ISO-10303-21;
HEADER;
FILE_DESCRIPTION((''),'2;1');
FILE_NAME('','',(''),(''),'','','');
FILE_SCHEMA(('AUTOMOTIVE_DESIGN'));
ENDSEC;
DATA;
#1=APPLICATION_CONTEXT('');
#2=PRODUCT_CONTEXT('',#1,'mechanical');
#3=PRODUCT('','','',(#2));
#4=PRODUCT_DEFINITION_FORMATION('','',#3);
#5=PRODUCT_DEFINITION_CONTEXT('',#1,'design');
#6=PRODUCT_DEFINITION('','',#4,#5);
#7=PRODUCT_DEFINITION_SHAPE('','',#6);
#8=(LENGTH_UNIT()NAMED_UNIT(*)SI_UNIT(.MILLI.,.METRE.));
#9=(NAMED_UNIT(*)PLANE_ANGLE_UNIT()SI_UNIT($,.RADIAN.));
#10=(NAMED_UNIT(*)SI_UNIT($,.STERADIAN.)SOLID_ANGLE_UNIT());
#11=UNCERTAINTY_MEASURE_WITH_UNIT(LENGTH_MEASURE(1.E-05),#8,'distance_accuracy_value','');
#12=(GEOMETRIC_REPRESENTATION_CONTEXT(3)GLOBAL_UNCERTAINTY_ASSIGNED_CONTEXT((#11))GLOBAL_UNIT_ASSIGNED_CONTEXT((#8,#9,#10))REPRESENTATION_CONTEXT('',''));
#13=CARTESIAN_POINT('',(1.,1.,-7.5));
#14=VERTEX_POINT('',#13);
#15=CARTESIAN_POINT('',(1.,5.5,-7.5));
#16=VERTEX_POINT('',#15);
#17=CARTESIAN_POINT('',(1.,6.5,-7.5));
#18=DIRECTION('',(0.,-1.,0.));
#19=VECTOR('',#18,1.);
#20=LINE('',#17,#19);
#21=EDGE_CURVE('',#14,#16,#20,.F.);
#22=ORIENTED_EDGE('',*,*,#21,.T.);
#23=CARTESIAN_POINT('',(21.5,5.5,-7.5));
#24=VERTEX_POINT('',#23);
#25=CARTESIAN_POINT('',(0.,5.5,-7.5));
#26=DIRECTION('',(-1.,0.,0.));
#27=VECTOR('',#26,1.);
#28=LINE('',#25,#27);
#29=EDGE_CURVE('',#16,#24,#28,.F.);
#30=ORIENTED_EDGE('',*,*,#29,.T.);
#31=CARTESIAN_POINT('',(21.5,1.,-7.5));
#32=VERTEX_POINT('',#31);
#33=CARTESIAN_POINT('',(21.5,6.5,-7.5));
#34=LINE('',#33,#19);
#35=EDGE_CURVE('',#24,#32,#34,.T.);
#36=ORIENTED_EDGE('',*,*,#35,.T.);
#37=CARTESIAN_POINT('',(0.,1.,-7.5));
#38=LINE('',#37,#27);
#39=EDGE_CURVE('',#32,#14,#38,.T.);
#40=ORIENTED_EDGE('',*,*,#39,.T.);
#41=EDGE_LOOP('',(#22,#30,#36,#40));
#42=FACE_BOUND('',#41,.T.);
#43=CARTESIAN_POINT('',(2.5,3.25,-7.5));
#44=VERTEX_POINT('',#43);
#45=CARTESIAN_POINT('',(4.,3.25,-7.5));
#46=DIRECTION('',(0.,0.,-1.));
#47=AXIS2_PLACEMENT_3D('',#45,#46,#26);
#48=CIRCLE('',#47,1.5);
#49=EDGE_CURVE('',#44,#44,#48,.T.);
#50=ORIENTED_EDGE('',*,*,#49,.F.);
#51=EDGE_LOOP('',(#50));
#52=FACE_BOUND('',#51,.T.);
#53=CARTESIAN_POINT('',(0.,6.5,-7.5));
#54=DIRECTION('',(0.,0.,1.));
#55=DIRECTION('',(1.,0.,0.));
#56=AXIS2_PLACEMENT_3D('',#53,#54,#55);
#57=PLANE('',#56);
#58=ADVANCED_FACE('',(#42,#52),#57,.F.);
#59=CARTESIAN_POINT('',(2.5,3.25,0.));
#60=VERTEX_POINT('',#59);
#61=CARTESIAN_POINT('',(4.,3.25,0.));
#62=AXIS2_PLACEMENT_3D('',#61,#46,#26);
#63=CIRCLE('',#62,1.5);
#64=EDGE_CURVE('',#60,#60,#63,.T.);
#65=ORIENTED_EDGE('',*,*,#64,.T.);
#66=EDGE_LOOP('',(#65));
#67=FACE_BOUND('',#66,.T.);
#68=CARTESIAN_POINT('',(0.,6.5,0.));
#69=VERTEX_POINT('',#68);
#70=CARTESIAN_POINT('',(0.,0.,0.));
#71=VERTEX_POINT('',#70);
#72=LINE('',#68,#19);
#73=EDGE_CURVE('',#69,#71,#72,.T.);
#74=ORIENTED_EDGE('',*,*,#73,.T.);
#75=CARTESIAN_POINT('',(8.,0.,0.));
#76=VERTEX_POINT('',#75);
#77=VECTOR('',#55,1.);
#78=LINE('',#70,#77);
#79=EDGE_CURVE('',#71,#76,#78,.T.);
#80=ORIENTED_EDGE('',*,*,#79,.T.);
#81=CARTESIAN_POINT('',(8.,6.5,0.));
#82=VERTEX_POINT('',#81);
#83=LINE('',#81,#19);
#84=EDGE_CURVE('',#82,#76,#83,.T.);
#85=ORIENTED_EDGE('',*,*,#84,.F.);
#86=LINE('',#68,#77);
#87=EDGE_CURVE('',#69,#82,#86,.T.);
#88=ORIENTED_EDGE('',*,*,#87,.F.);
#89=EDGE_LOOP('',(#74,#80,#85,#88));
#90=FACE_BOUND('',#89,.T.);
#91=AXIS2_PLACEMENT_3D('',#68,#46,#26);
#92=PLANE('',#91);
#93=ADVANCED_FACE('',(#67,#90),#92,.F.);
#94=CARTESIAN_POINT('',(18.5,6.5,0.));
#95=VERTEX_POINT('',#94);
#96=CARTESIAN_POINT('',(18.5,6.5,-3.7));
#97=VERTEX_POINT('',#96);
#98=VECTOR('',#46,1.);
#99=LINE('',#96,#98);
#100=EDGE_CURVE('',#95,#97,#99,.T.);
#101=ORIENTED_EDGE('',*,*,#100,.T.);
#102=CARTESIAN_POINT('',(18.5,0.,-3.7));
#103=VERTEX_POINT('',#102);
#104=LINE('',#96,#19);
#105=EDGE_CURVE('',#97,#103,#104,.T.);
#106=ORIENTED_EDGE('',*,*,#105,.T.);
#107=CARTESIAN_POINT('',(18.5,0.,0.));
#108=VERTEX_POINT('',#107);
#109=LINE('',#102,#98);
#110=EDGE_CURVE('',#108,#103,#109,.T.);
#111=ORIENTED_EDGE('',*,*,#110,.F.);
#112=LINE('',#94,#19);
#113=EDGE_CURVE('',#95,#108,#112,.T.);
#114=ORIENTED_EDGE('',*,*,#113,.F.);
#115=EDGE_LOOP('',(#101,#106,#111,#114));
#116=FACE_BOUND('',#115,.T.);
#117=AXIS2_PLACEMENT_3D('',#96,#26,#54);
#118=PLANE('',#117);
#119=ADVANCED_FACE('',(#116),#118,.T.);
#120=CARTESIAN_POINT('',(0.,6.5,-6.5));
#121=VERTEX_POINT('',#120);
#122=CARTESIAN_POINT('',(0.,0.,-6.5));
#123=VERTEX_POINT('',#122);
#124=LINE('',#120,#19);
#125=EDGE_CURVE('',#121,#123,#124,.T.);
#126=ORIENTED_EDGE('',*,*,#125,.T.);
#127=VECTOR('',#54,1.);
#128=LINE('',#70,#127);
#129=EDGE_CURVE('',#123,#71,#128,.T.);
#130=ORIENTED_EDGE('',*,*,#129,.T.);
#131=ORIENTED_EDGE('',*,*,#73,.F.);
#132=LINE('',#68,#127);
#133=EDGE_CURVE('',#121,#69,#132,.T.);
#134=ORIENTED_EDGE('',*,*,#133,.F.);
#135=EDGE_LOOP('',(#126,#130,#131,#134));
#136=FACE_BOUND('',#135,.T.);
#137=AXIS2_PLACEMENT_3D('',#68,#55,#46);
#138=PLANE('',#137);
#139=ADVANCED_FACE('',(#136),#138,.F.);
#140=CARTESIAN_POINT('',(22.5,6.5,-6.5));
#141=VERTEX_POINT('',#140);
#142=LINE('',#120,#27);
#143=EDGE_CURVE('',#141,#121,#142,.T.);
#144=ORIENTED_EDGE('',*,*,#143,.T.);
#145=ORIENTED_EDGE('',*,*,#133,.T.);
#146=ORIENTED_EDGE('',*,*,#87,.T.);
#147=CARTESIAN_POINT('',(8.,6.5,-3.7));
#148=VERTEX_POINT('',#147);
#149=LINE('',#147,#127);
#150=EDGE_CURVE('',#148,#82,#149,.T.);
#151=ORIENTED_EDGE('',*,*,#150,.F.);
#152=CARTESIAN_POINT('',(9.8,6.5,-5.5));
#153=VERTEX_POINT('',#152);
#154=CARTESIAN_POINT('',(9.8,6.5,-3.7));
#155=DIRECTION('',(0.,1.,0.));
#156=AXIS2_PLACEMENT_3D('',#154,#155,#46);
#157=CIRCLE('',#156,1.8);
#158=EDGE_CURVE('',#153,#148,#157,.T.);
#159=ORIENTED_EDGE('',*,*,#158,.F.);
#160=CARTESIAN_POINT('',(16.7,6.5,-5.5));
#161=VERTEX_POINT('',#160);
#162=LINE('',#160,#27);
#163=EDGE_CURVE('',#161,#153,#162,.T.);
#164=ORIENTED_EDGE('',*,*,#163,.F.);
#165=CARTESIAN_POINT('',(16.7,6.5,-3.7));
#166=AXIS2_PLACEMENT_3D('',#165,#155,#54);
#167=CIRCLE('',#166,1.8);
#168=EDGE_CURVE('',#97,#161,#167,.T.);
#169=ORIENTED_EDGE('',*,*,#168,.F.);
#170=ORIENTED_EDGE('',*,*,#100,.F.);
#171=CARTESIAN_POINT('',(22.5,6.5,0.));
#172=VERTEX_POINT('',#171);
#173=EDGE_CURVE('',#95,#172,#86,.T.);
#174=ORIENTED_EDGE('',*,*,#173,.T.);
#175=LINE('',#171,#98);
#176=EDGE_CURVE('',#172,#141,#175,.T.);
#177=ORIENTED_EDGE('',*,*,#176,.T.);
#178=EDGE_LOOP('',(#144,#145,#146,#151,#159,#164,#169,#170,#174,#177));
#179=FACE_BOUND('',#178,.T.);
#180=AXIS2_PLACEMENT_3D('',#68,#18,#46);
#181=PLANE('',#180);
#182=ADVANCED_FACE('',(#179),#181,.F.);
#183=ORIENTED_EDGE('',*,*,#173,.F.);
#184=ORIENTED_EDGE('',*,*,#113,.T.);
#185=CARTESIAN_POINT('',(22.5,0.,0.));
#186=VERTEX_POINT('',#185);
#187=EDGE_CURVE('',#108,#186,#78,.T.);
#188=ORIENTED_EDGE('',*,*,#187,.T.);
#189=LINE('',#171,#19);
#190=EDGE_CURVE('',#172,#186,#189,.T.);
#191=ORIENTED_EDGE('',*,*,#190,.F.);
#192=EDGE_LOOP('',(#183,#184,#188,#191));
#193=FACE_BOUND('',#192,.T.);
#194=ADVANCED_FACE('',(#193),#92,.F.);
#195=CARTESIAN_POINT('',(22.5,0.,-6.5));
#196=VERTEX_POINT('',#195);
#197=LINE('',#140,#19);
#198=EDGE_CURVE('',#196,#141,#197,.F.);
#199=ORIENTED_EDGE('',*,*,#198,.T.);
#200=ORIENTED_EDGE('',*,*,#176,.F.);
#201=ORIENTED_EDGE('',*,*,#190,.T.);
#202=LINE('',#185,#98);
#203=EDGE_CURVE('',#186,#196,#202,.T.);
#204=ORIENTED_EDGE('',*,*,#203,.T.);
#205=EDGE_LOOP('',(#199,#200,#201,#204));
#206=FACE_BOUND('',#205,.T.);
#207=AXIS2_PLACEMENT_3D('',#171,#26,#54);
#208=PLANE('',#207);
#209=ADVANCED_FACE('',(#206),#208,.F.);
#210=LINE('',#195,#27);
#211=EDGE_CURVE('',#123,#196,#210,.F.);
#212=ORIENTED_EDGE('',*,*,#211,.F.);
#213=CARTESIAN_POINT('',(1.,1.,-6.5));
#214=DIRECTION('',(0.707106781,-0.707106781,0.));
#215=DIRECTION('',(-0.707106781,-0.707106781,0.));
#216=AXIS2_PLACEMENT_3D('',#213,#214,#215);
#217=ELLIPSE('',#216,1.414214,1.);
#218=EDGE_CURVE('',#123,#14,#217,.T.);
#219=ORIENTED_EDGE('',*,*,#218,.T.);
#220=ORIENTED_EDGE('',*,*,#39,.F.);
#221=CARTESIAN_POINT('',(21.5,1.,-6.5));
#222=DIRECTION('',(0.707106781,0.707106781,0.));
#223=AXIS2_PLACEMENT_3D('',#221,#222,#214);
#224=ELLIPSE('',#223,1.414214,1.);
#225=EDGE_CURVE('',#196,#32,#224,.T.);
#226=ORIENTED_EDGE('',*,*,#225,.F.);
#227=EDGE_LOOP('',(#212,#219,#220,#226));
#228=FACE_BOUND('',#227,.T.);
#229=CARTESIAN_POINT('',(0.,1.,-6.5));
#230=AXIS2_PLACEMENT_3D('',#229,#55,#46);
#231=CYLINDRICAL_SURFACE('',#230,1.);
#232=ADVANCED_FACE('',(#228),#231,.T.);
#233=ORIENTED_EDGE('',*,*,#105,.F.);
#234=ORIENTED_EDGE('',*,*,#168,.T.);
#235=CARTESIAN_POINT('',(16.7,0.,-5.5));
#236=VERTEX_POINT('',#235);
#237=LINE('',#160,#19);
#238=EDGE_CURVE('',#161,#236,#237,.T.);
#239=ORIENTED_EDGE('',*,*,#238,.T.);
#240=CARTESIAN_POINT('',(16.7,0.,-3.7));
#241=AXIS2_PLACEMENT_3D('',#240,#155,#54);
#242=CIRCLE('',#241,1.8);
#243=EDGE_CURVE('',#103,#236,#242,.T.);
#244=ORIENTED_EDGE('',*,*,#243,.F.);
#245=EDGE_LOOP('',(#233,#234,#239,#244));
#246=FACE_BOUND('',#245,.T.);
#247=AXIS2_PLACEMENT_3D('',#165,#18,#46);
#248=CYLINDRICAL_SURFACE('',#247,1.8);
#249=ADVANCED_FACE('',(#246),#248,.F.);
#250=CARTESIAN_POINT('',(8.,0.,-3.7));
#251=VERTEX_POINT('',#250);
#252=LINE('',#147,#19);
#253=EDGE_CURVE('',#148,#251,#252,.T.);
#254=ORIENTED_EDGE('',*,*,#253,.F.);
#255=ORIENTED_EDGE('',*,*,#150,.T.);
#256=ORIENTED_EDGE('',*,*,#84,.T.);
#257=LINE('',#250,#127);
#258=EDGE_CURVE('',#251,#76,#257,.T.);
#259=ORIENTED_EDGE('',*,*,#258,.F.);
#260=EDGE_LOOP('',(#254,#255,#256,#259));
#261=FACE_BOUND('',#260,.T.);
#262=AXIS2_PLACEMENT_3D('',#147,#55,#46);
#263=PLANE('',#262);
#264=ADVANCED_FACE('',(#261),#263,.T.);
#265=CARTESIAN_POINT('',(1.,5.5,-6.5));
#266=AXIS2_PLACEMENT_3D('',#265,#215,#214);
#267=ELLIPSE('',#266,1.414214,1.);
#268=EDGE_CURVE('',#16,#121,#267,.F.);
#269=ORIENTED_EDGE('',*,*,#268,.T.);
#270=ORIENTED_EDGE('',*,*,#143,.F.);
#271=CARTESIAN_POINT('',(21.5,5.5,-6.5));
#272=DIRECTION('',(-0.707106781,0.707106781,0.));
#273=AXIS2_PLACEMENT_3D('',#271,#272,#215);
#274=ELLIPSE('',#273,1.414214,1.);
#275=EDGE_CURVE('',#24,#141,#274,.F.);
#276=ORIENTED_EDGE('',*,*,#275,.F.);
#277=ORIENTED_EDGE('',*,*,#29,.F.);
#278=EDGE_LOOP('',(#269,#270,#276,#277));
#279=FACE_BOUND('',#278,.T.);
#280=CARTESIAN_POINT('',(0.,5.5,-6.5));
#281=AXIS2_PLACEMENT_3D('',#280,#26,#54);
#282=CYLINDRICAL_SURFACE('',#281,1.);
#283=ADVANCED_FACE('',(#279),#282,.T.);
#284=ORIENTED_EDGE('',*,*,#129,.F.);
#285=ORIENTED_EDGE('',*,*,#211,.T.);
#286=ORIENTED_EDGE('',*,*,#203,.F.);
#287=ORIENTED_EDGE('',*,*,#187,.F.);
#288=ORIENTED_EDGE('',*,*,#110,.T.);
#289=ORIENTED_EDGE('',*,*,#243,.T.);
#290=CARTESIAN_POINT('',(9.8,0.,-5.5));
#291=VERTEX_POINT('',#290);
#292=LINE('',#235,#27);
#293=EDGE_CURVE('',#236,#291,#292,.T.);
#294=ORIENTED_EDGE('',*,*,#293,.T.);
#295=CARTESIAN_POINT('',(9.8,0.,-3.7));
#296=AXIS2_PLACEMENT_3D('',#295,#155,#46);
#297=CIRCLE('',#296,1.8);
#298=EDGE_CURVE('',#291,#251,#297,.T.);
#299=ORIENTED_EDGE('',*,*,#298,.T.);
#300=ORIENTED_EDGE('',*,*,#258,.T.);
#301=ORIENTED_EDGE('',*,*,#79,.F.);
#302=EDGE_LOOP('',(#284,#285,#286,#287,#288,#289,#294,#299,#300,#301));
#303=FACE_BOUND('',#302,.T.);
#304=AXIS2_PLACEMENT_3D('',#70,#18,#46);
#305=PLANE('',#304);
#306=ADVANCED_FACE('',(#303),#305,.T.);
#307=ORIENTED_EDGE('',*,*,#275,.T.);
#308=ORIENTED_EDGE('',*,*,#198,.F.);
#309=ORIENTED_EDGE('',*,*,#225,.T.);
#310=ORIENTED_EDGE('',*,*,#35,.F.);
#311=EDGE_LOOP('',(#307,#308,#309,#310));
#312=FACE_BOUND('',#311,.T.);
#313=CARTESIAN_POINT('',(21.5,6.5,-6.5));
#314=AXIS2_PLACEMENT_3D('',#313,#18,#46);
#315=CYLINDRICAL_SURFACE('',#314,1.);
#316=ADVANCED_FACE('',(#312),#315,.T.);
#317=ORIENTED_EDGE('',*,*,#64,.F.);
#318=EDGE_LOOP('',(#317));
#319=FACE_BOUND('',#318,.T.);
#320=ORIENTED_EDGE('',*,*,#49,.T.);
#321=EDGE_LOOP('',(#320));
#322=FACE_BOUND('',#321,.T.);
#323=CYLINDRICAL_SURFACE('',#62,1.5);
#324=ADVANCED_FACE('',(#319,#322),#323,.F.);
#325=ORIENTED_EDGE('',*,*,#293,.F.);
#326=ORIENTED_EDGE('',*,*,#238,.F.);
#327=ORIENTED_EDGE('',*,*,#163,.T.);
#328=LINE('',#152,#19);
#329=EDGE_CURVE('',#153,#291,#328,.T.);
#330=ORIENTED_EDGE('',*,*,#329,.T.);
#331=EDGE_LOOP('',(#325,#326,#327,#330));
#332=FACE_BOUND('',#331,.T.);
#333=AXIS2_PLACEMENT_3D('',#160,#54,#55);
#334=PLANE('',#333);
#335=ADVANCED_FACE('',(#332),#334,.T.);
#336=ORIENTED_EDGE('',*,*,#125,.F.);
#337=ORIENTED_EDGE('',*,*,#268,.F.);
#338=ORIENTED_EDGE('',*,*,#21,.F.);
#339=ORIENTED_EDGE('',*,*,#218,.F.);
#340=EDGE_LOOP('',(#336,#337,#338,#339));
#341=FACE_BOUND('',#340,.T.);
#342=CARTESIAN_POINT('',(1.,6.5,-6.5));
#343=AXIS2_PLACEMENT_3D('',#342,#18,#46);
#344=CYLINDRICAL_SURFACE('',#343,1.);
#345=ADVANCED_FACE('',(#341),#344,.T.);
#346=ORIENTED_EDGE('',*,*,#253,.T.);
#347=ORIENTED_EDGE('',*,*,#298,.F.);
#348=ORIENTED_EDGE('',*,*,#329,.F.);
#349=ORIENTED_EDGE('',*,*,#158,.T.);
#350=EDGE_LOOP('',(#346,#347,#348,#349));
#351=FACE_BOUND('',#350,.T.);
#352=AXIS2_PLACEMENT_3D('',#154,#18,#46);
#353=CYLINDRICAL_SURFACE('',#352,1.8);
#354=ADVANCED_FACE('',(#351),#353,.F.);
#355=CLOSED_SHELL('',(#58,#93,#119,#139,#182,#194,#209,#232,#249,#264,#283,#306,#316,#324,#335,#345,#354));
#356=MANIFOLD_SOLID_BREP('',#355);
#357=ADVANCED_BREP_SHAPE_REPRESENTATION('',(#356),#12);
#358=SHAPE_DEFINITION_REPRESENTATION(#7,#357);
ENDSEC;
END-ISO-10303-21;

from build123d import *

# Parameters (mm, degrees)
SIDE_W         = 22.5
SIDE_H         = 7.5
SIDE_EX_DEPTH  = 6.5
HOLE_R         = 1.5
HOLE_CUT_DEPTH = 25.591665255
WIRE_CUT_DEPTH = 25.591665255
FILLET1_R      = 1


with BuildPart() as part:
    # Side → Side_Ex (new body)
    with BuildSketch(Plane(origin=(0, 0, 0), x_dir=(1, 0, 0), z_dir=(0, 1, 0))):
        with Locations((11.25, 3.75)):
            Rectangle(SIDE_W, SIDE_H)
    extrude(amount=SIDE_EX_DEPTH)

    # Hole → Hole_Cut (cut, through all)
    with BuildSketch(Plane(origin=(0, 0, -7.5), x_dir=(-1, 0, 0), z_dir=(0, 0, -1))):
        with Locations((-4, 3.25)):
            Circle(HOLE_R)
    extrude(amount=-HOLE_CUT_DEPTH, mode=Mode.SUBTRACT)

    # Wire 2 → Wire_Cut (cut, through all)
    with BuildSketch(Plane(origin=(0, 0, 0), x_dir=(1, 0, 0), z_dir=(0, 1, 0))):
        with BuildLine():
            Line((16.7, 5.5), (9.8, 5.5))
            ThreePointArc((9.8, 5.5), (8.527207794, 4.972792206), (8, 3.7))
            Line((8, 3.7), (8, 0))
            Line((8, 0), (18.5, 0))
            Line((18.5, 0), (18.5, 3.7))
            ThreePointArc((18.5, 3.7), (17.972792206, 4.972792206), (16.7, 5.5))
        make_face()
    extrude(amount=WIRE_CUT_DEPTH, mode=Mode.SUBTRACT)

    # Fillet1
    fillet1_edges = [part.edges().sort_by_distance(p)[0] for p in [
        (11.25, 6.5, -7.5),
        (11.25, 0, -7.5),
        (0, 3.25, -7.5),
        (22.5, 3.25, -7.5),
    ]]
    fillet(fillet1_edges, radius=FILLET1_R)


solid = part.part
